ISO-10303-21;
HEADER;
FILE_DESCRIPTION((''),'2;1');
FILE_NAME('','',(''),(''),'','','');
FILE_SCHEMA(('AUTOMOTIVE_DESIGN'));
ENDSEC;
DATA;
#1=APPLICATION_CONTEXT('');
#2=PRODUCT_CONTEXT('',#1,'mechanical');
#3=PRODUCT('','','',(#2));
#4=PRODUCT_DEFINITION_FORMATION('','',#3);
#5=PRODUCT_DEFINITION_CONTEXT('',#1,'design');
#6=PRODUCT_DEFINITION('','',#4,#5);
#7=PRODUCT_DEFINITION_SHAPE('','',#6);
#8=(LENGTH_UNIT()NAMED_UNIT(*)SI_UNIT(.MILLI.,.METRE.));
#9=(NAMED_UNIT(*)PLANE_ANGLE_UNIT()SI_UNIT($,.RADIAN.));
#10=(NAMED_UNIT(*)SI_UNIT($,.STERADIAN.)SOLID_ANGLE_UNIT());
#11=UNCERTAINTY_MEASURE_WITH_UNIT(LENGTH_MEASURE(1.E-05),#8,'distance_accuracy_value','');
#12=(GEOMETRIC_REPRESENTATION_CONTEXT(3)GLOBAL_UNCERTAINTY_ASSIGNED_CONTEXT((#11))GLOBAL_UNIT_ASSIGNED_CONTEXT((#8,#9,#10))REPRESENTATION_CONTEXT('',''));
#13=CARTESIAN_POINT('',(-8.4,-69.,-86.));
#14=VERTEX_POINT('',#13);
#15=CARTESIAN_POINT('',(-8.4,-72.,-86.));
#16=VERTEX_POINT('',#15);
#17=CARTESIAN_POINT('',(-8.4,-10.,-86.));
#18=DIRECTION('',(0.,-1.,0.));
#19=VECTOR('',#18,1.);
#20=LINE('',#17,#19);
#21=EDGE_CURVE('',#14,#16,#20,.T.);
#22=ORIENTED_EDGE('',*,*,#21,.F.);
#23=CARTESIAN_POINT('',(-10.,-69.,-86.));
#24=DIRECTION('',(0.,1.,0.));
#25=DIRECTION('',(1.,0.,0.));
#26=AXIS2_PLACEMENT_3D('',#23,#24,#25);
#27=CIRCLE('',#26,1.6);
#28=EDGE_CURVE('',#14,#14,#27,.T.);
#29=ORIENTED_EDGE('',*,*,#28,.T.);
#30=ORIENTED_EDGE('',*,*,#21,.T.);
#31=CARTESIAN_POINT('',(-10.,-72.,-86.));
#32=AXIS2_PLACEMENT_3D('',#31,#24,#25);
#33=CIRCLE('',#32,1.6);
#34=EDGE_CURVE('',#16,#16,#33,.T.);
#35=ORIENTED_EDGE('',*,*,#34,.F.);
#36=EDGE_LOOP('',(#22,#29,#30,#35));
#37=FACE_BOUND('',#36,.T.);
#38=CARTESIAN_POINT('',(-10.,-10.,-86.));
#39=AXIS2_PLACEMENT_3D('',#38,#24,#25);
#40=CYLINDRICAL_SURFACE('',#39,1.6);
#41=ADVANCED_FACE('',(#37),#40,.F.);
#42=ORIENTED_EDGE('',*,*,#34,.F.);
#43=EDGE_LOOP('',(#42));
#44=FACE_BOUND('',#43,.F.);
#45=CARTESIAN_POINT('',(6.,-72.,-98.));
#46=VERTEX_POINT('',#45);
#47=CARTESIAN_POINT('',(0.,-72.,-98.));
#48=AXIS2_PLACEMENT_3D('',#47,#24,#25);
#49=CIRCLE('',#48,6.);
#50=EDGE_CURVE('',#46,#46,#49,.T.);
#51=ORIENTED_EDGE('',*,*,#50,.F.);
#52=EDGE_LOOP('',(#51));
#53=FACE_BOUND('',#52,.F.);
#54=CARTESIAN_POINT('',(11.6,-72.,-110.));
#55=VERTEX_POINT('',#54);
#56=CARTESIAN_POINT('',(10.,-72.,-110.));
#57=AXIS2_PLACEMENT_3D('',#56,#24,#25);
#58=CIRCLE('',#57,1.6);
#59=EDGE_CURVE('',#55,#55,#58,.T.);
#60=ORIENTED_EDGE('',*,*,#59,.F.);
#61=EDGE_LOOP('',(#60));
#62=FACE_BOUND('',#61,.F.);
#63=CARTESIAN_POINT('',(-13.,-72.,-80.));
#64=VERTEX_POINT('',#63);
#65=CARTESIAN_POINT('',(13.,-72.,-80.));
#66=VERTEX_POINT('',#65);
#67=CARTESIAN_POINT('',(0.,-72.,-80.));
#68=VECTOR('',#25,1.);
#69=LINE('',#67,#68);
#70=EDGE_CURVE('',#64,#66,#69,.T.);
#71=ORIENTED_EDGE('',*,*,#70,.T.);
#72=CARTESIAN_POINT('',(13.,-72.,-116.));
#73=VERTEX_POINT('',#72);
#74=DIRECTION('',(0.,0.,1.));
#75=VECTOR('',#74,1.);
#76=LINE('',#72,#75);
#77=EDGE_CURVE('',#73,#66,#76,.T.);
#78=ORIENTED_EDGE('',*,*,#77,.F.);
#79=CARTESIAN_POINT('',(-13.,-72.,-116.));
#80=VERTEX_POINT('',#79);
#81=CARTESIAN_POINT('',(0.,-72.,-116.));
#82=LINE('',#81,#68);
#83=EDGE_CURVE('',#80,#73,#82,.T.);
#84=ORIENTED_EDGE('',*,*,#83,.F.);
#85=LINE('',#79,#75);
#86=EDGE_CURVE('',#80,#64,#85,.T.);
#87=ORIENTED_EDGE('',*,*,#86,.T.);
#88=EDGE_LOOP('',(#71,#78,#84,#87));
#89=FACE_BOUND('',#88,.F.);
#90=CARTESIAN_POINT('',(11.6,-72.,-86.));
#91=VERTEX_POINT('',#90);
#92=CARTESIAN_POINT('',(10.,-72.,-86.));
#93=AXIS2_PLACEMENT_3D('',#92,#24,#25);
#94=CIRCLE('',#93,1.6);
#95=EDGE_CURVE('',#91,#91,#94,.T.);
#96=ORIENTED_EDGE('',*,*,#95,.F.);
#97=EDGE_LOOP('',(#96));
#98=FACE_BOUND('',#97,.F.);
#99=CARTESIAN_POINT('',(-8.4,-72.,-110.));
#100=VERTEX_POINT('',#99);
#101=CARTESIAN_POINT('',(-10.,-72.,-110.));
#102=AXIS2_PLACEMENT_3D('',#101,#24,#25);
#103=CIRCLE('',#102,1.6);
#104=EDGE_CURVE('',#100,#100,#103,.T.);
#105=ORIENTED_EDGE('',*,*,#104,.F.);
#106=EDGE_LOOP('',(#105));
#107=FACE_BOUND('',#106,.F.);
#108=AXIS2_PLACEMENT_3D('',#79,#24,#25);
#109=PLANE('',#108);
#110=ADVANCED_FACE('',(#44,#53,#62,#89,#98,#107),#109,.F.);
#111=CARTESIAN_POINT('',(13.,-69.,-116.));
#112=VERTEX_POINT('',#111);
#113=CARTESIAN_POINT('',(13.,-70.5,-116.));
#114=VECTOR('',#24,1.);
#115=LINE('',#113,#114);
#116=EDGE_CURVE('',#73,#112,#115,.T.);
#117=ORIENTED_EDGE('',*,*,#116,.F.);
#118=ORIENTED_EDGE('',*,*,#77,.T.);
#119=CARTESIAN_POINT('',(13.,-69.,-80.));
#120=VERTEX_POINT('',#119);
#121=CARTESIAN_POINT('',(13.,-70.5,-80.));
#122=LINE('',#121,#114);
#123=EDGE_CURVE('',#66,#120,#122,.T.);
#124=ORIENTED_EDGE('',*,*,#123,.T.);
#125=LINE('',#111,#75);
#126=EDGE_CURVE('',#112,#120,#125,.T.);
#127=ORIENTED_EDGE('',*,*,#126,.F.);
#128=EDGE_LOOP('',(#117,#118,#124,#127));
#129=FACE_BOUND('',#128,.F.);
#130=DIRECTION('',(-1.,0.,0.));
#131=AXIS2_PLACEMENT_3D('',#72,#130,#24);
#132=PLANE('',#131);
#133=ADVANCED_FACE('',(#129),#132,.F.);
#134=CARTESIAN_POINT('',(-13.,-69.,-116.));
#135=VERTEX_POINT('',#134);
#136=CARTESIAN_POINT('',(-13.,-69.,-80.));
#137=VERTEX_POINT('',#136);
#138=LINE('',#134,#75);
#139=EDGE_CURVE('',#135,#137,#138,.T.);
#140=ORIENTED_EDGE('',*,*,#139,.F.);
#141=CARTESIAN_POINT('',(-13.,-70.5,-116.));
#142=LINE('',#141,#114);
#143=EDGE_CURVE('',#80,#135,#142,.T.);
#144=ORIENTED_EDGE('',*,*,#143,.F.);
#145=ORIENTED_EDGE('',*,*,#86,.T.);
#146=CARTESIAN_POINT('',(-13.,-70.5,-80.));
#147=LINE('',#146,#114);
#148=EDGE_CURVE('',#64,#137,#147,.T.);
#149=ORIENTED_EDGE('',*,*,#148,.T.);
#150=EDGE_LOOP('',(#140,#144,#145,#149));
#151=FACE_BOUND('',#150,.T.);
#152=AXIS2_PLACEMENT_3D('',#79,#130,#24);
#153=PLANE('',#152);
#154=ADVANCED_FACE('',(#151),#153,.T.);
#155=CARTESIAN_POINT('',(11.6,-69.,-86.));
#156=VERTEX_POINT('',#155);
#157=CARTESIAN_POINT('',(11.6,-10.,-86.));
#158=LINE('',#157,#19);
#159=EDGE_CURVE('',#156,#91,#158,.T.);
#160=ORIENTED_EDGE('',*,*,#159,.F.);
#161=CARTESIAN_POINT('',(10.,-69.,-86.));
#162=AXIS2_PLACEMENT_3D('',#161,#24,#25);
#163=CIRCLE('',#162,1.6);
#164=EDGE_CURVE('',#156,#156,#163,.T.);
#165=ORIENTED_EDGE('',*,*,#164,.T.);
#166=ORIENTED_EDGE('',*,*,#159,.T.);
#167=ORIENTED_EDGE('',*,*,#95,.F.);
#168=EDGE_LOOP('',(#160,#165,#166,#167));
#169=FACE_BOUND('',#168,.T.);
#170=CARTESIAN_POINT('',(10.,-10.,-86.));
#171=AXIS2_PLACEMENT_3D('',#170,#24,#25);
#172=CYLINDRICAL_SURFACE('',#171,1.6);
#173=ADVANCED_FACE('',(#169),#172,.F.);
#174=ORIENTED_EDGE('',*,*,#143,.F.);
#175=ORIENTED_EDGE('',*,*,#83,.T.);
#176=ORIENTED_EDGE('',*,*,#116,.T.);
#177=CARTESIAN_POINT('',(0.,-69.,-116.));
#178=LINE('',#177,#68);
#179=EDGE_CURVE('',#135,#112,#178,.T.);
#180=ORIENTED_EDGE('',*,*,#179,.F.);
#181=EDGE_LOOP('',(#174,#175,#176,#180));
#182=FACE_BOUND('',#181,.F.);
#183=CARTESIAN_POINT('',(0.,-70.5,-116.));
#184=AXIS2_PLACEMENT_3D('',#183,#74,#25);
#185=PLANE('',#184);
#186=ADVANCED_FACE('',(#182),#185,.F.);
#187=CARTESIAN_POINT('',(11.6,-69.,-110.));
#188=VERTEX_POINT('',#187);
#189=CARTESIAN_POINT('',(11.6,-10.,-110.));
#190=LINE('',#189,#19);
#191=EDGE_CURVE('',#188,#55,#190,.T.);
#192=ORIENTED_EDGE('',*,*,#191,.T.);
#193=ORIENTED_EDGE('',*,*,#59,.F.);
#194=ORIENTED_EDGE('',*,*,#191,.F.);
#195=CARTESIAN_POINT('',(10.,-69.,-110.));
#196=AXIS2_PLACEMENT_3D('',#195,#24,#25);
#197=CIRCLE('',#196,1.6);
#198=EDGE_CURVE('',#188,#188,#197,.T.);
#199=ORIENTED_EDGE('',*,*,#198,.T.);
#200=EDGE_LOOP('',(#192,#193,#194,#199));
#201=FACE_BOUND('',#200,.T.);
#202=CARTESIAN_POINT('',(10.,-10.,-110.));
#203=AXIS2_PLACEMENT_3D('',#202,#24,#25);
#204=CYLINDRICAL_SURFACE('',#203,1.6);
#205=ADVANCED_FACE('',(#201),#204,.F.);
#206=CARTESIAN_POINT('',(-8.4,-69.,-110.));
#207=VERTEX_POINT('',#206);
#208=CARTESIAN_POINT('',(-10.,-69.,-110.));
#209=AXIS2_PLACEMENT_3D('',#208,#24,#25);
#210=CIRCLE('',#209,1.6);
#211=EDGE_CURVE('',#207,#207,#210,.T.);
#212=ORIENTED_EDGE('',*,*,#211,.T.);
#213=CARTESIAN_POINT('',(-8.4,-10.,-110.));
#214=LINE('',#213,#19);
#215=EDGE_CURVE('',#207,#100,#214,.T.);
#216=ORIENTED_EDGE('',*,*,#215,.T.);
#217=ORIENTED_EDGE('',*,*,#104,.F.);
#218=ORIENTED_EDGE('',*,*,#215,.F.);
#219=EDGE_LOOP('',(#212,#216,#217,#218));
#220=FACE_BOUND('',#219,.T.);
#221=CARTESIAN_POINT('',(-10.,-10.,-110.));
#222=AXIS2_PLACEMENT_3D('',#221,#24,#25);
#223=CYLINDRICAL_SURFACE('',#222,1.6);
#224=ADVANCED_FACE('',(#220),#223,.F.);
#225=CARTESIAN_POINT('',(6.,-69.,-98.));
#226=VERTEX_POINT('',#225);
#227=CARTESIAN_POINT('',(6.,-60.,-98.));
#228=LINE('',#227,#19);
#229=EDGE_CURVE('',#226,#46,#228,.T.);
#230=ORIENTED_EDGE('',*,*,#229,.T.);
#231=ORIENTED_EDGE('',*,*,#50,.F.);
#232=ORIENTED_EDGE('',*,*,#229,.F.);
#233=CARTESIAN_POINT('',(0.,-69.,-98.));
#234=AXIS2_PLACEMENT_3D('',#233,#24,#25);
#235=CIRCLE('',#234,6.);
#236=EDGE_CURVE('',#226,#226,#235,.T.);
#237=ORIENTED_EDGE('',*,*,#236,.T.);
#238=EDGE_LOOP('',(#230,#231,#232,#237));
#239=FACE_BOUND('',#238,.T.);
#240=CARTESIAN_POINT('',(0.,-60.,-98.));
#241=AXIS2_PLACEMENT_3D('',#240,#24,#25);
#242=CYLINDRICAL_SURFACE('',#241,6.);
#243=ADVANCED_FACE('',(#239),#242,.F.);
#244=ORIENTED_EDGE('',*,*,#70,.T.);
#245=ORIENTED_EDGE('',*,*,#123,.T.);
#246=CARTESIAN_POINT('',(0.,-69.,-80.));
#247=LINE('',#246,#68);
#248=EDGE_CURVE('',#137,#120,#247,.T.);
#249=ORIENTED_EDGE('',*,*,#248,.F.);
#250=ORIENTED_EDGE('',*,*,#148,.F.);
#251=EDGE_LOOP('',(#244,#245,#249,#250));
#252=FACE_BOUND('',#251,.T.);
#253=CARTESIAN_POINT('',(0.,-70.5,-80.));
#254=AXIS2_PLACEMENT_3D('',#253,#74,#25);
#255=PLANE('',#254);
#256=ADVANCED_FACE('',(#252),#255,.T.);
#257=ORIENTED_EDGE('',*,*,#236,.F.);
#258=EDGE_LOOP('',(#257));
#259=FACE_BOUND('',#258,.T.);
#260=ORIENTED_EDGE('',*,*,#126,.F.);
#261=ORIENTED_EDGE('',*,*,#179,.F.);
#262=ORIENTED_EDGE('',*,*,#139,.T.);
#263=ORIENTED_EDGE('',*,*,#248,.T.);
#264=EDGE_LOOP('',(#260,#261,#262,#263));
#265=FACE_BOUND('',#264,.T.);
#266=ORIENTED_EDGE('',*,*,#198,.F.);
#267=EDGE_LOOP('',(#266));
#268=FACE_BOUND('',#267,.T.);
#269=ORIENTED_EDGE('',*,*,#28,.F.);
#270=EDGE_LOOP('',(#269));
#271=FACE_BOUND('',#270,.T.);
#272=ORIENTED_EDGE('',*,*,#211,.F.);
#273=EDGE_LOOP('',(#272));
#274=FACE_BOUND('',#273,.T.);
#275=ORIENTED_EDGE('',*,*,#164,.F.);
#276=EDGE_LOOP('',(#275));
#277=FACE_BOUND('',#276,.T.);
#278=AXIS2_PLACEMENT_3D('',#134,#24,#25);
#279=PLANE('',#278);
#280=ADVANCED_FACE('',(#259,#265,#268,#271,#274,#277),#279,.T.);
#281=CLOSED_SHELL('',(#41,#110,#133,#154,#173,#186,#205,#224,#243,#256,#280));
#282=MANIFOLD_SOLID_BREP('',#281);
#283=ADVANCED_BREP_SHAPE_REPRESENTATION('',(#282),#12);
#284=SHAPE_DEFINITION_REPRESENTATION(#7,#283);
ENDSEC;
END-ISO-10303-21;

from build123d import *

# Parameters (mm, degrees)
CYLINDER1875_R     = 1.6
CYLINDER1875_DEPTH = 80
CYLINDER1873_R     = 1.6
CYLINDER1873_DEPTH = 80
CYLINDER1874_R     = 1.6
CYLINDER1874_DEPTH = 80
CYLINDER1872_R     = 1.6
CYLINDER1872_DEPTH = 80
CYLINDER1871_R     = 6
CYLINDER1871_DEPTH = 20
BOX745_W           = 26
BOX745_H           = 3
BOX745_DEPTH       = 36


with BuildPart() as v_lec1875:
    # Cylinder1875 → Cylinder1875 (new body)
    with BuildSketch(Plane(origin=(-10, 80, 31), x_dir=(1, 0, 0), z_dir=(0, -1, 0))):
        Circle(CYLINDER1875_R)
    extrude(amount=CYLINDER1875_DEPTH)


with BuildPart() as v_lec1873:
    # Cylinder1873 → Cylinder1873 (new body)
    with BuildSketch(Plane(origin=(10, 80, 55), x_dir=(1, 0, 0), z_dir=(0, -1, 0))):
        Circle(CYLINDER1873_R)
    extrude(amount=CYLINDER1873_DEPTH)


with BuildPart() as v_lec1874:
    # Cylinder1874 → Cylinder1874 (new body)
    with BuildSketch(Plane(origin=(10, 80, 31), x_dir=(1, 0, 0), z_dir=(0, -1, 0))):
        Circle(CYLINDER1874_R)
    extrude(amount=CYLINDER1874_DEPTH)


with BuildPart() as compound844:
    # Cylinder1872 → Cylinder1872 (new body)
    with BuildSketch(Plane(origin=(-10, 80, 55), x_dir=(1, 0, 0), z_dir=(0, -1, 0))):
        Circle(CYLINDER1872_R)
    extrude(amount=CYLINDER1872_DEPTH)

    # Compound844: union Válec1875, Válec1873, Válec1874
    add(v_lec1875.part)
    add(v_lec1873.part)
    add(v_lec1874.part)


with BuildPart() as compound844_1:
    # Compound844 placement: moved
    add(compound844.part.moved(Location((0, -90, -141))))


with BuildPart() as v_lec1871:
    # Cylinder1871 → Cylinder1871 (new body)
    with BuildSketch(Plane(origin=(0, -60, -98), x_dir=(1, 0, 0), z_dir=(0, -1, 0))):
        Circle(CYLINDER1871_R)
    extrude(amount=CYLINDER1871_DEPTH)


with BuildPart() as cut683:
    # Box745 → Box745 (new body)
    with BuildSketch(Plane(origin=(-13, -72, -116), x_dir=(1, 0, 0), z_dir=(0, 0, 1))):
        with Locations((13, 1.5)):
            Rectangle(BOX745_W, BOX745_H)
    extrude(amount=BOX745_DEPTH)

    # Cut682: cut Válec1871
    add(v_lec1871.part, mode=Mode.SUBTRACT)

    # Cut683: cut Compound844
    add(compound844_1.part, mode=Mode.SUBTRACT)


solid = cut683.part
